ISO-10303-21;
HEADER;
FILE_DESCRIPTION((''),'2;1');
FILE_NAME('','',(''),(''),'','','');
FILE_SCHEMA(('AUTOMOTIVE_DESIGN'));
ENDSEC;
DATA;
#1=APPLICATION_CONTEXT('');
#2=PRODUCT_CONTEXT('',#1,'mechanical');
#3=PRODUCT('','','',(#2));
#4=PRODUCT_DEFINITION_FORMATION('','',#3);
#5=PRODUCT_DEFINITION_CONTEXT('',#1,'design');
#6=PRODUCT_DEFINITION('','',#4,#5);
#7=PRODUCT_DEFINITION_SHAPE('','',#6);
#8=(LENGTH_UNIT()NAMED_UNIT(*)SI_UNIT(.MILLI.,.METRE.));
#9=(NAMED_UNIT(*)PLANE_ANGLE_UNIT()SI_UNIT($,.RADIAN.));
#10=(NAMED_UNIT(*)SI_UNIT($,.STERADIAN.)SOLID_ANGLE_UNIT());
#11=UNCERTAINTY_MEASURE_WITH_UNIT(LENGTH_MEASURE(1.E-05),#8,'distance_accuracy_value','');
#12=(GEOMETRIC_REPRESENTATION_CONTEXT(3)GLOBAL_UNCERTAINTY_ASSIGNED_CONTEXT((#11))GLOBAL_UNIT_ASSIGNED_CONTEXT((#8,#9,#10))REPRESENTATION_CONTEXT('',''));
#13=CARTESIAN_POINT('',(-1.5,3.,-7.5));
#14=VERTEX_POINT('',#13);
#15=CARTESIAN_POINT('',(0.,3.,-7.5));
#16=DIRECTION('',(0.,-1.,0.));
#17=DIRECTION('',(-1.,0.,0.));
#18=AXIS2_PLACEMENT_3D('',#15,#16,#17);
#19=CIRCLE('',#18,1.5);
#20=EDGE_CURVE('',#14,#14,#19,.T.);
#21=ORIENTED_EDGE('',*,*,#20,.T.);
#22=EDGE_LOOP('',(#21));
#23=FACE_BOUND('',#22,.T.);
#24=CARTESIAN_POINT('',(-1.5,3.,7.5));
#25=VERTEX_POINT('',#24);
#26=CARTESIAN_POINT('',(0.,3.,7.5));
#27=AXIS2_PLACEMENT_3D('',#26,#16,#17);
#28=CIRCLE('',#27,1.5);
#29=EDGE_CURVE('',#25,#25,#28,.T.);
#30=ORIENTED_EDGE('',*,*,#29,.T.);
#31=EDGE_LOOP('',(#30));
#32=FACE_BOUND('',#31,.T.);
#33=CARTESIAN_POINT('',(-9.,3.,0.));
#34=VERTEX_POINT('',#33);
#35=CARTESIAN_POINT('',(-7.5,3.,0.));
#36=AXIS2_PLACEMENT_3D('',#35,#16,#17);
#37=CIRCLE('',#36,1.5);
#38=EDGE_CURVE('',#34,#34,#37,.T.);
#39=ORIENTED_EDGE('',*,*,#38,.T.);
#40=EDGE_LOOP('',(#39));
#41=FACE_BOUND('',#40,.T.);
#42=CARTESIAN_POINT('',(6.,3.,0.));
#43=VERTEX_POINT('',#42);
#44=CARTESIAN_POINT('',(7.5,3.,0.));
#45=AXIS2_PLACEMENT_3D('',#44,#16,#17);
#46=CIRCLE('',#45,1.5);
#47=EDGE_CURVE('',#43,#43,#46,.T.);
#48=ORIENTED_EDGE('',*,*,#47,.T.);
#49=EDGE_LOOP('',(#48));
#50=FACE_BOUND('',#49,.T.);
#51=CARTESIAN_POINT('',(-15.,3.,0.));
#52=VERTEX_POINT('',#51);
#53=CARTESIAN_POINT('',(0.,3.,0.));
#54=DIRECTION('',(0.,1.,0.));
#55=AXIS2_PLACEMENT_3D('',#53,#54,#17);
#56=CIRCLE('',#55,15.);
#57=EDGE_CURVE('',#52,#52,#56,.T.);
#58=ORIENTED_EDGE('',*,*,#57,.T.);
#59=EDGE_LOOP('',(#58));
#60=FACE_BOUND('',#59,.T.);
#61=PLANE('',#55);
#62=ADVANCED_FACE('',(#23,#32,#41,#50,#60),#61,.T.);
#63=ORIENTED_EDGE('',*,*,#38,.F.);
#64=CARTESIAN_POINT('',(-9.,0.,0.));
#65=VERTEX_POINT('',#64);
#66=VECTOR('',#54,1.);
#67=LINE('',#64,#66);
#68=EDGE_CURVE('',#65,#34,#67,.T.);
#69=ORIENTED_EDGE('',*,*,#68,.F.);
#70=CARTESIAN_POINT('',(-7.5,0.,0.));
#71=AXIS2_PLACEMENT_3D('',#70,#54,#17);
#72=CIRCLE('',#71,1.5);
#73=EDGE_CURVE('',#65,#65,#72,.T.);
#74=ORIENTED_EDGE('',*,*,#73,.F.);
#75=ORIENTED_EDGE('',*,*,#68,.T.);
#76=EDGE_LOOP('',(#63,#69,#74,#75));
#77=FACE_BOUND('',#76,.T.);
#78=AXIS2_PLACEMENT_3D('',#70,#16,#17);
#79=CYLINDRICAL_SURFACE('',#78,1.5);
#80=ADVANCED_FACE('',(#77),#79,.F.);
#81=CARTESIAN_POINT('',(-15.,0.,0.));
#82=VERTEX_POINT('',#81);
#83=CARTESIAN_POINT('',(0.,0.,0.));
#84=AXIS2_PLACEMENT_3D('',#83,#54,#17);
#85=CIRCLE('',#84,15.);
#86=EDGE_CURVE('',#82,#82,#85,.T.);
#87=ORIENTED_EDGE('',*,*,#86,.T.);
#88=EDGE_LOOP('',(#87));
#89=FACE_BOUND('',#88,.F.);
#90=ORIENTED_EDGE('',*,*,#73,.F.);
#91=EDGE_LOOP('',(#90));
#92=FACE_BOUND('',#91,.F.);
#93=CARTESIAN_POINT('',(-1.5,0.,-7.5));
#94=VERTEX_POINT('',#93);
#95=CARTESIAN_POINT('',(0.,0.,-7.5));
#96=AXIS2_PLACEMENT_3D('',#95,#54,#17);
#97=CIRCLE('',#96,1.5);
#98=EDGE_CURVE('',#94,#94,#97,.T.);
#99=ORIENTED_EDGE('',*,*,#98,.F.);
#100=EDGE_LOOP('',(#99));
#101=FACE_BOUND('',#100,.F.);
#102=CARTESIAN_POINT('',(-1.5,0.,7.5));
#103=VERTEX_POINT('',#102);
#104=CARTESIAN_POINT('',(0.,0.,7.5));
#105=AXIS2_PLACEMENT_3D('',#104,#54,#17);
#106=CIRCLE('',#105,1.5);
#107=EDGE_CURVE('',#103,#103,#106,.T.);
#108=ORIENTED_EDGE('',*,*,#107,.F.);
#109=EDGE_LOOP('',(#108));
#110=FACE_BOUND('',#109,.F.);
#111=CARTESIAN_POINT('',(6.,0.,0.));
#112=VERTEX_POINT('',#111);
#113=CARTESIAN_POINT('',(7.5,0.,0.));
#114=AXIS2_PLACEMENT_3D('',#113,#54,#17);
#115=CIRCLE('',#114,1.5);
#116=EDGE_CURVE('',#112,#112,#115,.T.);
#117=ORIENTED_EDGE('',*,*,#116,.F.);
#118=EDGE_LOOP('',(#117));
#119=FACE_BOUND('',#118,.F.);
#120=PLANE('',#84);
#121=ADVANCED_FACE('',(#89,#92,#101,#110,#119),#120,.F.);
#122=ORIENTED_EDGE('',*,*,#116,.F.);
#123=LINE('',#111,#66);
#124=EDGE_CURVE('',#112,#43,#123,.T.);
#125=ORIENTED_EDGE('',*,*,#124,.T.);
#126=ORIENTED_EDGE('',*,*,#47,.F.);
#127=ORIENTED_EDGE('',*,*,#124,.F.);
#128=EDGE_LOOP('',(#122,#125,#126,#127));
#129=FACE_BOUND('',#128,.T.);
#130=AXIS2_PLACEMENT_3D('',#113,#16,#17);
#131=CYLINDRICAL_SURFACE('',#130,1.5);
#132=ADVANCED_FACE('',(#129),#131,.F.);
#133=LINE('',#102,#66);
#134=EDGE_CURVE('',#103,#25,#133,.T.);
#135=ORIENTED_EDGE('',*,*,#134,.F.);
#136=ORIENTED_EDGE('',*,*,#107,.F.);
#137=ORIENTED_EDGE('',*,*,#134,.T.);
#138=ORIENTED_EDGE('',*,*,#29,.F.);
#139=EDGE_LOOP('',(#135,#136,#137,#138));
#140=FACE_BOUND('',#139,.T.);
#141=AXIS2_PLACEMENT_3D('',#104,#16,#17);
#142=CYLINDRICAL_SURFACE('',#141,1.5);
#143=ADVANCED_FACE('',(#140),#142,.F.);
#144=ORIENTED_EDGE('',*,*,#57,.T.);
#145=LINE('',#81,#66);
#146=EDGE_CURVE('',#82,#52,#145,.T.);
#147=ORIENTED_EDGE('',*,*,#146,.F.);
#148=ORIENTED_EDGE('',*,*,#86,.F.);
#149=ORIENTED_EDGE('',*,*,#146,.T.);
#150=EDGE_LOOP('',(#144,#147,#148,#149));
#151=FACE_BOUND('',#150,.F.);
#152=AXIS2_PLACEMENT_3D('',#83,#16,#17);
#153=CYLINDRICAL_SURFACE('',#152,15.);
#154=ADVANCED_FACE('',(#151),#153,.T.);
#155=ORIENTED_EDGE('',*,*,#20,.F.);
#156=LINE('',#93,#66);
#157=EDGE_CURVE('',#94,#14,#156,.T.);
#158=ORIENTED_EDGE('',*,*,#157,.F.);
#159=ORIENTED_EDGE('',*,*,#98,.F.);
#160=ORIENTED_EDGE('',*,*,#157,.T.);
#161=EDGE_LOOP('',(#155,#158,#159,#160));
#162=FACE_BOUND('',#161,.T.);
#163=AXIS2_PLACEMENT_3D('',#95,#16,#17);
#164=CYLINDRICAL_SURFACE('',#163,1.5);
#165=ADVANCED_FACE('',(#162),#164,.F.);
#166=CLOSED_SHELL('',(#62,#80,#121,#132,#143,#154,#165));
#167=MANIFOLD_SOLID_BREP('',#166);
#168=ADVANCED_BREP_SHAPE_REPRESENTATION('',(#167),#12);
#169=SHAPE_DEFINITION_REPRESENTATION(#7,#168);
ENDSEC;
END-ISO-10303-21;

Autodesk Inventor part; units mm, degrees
ref_plane "YZ Plane" through (0, 0, 0) normal (1, 0, 0) x (0, 1, 0)
ref_plane "XZ Plane" through (0, 0, 0) normal (0, 1, 0) x (-1, 0, 0)
ref_plane "XY Plane" through (0, 0, 0) normal (0, 0, 1) x (1, 0, 0)
sketch "Sketch1" plane through (0, 0, 0) normal (0, 1, 0) x (-1, 0, 0)
  circle A0 centre (0, 0) radius 15
  circle A1 centre (0, 0) radius 7.5
  circle A2 centre (0, 7.5) radius 1.5
  circle A3 centre (0, -7.5) radius 1.5
  circle A4 centre (7.5, 0) radius 1.5
  circle A5 centre (-7.5, 0) radius 1.5
  dimension "d0" = 30
  dimension "d1" = 15
  dimension "d2" = 3
  dimension "d3" = 3
  dimension "d4" = 3
  dimension "d5" = 3
extrude "Extrusion1" add sketch "Sketch1" along normal blind 3 contours A0 | A4 A1 A3 A5 A2
properties part number "gearwheel_small"
